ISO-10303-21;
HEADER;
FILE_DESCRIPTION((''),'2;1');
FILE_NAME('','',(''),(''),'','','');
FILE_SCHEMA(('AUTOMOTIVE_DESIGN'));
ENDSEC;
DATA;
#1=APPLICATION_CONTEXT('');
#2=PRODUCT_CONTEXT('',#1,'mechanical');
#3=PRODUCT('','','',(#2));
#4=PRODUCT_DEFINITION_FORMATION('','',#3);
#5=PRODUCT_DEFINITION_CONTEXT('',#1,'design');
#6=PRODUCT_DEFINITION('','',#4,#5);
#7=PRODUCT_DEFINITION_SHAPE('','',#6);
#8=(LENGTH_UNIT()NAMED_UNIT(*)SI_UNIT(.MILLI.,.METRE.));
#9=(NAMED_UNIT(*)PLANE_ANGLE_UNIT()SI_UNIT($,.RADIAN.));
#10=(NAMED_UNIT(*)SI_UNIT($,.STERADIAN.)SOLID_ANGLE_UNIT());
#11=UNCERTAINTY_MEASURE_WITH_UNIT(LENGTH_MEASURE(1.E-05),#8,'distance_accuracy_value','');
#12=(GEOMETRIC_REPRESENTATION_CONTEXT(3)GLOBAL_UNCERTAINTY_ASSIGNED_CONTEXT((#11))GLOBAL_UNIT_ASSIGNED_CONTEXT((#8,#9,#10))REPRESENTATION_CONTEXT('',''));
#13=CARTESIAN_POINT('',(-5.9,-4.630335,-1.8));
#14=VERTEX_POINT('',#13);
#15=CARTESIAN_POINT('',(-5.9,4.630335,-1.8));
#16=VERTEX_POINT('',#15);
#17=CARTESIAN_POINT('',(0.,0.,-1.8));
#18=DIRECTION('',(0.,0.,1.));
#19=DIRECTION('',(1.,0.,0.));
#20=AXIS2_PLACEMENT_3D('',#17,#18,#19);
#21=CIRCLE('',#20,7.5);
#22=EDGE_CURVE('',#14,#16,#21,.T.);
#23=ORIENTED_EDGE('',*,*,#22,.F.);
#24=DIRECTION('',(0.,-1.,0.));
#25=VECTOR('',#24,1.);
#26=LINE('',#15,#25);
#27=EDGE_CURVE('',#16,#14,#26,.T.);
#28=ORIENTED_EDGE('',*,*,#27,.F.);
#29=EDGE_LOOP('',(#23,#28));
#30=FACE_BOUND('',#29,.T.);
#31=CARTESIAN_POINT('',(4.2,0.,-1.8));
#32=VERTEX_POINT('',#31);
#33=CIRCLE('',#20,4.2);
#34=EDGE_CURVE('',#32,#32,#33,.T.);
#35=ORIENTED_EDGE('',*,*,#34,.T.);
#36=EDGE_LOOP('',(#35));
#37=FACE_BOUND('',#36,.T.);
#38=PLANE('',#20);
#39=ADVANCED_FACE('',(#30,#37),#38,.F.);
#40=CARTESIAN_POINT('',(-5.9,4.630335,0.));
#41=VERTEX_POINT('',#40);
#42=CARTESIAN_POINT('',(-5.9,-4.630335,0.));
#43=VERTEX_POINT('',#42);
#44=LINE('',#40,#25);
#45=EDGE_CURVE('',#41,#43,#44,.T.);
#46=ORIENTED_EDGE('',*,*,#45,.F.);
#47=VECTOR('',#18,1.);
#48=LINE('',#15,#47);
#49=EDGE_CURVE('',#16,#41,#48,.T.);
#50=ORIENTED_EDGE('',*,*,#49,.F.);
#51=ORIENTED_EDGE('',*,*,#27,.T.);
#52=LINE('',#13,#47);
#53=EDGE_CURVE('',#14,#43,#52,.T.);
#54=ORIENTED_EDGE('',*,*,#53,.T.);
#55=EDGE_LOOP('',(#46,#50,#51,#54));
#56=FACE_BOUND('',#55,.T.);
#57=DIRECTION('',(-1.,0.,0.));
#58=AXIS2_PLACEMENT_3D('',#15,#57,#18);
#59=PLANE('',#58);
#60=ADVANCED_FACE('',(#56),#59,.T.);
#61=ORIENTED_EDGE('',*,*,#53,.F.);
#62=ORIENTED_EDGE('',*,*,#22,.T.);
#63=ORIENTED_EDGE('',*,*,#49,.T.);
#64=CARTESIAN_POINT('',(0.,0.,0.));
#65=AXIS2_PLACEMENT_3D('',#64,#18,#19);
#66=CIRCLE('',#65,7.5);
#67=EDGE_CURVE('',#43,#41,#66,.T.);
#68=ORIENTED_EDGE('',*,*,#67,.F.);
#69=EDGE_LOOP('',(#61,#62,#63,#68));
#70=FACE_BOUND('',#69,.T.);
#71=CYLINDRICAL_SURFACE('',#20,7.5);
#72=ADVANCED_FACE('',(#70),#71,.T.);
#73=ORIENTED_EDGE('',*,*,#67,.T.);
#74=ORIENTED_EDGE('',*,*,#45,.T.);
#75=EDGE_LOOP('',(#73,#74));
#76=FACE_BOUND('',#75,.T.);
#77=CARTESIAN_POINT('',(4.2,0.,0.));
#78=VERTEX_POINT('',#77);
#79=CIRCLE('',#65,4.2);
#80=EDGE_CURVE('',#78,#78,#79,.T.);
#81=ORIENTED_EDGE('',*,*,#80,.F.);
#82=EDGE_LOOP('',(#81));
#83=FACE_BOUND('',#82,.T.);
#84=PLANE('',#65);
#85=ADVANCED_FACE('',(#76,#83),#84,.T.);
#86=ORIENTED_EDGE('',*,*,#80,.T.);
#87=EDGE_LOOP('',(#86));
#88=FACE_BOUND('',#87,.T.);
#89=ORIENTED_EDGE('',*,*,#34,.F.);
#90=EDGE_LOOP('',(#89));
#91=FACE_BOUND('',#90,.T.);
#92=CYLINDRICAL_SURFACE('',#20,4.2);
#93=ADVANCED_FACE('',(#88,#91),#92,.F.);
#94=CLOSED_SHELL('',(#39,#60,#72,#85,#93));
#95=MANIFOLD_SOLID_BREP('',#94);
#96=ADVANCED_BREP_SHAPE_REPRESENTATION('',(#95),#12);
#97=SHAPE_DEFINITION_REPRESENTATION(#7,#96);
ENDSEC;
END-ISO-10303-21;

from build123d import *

# Parameters (mm, degrees)
SKETCH1_R      = 4.2
EXTRUDE1_DEPTH = 1.8


with BuildPart() as part:
    # Sketch1 → Extrude1 (new body)
    with BuildSketch(Plane.XY):
        with BuildLine():
            Line((-5.9, 4.630334761), (-5.9, -4.630334761))
            ThreePointArc((-5.9, -4.630334761), (7.5, 0), (-5.9, 4.630334761))
        make_face()
        Circle(SKETCH1_R, mode=Mode.SUBTRACT)
    extrude(amount=-EXTRUDE1_DEPTH)


solid = part.part
